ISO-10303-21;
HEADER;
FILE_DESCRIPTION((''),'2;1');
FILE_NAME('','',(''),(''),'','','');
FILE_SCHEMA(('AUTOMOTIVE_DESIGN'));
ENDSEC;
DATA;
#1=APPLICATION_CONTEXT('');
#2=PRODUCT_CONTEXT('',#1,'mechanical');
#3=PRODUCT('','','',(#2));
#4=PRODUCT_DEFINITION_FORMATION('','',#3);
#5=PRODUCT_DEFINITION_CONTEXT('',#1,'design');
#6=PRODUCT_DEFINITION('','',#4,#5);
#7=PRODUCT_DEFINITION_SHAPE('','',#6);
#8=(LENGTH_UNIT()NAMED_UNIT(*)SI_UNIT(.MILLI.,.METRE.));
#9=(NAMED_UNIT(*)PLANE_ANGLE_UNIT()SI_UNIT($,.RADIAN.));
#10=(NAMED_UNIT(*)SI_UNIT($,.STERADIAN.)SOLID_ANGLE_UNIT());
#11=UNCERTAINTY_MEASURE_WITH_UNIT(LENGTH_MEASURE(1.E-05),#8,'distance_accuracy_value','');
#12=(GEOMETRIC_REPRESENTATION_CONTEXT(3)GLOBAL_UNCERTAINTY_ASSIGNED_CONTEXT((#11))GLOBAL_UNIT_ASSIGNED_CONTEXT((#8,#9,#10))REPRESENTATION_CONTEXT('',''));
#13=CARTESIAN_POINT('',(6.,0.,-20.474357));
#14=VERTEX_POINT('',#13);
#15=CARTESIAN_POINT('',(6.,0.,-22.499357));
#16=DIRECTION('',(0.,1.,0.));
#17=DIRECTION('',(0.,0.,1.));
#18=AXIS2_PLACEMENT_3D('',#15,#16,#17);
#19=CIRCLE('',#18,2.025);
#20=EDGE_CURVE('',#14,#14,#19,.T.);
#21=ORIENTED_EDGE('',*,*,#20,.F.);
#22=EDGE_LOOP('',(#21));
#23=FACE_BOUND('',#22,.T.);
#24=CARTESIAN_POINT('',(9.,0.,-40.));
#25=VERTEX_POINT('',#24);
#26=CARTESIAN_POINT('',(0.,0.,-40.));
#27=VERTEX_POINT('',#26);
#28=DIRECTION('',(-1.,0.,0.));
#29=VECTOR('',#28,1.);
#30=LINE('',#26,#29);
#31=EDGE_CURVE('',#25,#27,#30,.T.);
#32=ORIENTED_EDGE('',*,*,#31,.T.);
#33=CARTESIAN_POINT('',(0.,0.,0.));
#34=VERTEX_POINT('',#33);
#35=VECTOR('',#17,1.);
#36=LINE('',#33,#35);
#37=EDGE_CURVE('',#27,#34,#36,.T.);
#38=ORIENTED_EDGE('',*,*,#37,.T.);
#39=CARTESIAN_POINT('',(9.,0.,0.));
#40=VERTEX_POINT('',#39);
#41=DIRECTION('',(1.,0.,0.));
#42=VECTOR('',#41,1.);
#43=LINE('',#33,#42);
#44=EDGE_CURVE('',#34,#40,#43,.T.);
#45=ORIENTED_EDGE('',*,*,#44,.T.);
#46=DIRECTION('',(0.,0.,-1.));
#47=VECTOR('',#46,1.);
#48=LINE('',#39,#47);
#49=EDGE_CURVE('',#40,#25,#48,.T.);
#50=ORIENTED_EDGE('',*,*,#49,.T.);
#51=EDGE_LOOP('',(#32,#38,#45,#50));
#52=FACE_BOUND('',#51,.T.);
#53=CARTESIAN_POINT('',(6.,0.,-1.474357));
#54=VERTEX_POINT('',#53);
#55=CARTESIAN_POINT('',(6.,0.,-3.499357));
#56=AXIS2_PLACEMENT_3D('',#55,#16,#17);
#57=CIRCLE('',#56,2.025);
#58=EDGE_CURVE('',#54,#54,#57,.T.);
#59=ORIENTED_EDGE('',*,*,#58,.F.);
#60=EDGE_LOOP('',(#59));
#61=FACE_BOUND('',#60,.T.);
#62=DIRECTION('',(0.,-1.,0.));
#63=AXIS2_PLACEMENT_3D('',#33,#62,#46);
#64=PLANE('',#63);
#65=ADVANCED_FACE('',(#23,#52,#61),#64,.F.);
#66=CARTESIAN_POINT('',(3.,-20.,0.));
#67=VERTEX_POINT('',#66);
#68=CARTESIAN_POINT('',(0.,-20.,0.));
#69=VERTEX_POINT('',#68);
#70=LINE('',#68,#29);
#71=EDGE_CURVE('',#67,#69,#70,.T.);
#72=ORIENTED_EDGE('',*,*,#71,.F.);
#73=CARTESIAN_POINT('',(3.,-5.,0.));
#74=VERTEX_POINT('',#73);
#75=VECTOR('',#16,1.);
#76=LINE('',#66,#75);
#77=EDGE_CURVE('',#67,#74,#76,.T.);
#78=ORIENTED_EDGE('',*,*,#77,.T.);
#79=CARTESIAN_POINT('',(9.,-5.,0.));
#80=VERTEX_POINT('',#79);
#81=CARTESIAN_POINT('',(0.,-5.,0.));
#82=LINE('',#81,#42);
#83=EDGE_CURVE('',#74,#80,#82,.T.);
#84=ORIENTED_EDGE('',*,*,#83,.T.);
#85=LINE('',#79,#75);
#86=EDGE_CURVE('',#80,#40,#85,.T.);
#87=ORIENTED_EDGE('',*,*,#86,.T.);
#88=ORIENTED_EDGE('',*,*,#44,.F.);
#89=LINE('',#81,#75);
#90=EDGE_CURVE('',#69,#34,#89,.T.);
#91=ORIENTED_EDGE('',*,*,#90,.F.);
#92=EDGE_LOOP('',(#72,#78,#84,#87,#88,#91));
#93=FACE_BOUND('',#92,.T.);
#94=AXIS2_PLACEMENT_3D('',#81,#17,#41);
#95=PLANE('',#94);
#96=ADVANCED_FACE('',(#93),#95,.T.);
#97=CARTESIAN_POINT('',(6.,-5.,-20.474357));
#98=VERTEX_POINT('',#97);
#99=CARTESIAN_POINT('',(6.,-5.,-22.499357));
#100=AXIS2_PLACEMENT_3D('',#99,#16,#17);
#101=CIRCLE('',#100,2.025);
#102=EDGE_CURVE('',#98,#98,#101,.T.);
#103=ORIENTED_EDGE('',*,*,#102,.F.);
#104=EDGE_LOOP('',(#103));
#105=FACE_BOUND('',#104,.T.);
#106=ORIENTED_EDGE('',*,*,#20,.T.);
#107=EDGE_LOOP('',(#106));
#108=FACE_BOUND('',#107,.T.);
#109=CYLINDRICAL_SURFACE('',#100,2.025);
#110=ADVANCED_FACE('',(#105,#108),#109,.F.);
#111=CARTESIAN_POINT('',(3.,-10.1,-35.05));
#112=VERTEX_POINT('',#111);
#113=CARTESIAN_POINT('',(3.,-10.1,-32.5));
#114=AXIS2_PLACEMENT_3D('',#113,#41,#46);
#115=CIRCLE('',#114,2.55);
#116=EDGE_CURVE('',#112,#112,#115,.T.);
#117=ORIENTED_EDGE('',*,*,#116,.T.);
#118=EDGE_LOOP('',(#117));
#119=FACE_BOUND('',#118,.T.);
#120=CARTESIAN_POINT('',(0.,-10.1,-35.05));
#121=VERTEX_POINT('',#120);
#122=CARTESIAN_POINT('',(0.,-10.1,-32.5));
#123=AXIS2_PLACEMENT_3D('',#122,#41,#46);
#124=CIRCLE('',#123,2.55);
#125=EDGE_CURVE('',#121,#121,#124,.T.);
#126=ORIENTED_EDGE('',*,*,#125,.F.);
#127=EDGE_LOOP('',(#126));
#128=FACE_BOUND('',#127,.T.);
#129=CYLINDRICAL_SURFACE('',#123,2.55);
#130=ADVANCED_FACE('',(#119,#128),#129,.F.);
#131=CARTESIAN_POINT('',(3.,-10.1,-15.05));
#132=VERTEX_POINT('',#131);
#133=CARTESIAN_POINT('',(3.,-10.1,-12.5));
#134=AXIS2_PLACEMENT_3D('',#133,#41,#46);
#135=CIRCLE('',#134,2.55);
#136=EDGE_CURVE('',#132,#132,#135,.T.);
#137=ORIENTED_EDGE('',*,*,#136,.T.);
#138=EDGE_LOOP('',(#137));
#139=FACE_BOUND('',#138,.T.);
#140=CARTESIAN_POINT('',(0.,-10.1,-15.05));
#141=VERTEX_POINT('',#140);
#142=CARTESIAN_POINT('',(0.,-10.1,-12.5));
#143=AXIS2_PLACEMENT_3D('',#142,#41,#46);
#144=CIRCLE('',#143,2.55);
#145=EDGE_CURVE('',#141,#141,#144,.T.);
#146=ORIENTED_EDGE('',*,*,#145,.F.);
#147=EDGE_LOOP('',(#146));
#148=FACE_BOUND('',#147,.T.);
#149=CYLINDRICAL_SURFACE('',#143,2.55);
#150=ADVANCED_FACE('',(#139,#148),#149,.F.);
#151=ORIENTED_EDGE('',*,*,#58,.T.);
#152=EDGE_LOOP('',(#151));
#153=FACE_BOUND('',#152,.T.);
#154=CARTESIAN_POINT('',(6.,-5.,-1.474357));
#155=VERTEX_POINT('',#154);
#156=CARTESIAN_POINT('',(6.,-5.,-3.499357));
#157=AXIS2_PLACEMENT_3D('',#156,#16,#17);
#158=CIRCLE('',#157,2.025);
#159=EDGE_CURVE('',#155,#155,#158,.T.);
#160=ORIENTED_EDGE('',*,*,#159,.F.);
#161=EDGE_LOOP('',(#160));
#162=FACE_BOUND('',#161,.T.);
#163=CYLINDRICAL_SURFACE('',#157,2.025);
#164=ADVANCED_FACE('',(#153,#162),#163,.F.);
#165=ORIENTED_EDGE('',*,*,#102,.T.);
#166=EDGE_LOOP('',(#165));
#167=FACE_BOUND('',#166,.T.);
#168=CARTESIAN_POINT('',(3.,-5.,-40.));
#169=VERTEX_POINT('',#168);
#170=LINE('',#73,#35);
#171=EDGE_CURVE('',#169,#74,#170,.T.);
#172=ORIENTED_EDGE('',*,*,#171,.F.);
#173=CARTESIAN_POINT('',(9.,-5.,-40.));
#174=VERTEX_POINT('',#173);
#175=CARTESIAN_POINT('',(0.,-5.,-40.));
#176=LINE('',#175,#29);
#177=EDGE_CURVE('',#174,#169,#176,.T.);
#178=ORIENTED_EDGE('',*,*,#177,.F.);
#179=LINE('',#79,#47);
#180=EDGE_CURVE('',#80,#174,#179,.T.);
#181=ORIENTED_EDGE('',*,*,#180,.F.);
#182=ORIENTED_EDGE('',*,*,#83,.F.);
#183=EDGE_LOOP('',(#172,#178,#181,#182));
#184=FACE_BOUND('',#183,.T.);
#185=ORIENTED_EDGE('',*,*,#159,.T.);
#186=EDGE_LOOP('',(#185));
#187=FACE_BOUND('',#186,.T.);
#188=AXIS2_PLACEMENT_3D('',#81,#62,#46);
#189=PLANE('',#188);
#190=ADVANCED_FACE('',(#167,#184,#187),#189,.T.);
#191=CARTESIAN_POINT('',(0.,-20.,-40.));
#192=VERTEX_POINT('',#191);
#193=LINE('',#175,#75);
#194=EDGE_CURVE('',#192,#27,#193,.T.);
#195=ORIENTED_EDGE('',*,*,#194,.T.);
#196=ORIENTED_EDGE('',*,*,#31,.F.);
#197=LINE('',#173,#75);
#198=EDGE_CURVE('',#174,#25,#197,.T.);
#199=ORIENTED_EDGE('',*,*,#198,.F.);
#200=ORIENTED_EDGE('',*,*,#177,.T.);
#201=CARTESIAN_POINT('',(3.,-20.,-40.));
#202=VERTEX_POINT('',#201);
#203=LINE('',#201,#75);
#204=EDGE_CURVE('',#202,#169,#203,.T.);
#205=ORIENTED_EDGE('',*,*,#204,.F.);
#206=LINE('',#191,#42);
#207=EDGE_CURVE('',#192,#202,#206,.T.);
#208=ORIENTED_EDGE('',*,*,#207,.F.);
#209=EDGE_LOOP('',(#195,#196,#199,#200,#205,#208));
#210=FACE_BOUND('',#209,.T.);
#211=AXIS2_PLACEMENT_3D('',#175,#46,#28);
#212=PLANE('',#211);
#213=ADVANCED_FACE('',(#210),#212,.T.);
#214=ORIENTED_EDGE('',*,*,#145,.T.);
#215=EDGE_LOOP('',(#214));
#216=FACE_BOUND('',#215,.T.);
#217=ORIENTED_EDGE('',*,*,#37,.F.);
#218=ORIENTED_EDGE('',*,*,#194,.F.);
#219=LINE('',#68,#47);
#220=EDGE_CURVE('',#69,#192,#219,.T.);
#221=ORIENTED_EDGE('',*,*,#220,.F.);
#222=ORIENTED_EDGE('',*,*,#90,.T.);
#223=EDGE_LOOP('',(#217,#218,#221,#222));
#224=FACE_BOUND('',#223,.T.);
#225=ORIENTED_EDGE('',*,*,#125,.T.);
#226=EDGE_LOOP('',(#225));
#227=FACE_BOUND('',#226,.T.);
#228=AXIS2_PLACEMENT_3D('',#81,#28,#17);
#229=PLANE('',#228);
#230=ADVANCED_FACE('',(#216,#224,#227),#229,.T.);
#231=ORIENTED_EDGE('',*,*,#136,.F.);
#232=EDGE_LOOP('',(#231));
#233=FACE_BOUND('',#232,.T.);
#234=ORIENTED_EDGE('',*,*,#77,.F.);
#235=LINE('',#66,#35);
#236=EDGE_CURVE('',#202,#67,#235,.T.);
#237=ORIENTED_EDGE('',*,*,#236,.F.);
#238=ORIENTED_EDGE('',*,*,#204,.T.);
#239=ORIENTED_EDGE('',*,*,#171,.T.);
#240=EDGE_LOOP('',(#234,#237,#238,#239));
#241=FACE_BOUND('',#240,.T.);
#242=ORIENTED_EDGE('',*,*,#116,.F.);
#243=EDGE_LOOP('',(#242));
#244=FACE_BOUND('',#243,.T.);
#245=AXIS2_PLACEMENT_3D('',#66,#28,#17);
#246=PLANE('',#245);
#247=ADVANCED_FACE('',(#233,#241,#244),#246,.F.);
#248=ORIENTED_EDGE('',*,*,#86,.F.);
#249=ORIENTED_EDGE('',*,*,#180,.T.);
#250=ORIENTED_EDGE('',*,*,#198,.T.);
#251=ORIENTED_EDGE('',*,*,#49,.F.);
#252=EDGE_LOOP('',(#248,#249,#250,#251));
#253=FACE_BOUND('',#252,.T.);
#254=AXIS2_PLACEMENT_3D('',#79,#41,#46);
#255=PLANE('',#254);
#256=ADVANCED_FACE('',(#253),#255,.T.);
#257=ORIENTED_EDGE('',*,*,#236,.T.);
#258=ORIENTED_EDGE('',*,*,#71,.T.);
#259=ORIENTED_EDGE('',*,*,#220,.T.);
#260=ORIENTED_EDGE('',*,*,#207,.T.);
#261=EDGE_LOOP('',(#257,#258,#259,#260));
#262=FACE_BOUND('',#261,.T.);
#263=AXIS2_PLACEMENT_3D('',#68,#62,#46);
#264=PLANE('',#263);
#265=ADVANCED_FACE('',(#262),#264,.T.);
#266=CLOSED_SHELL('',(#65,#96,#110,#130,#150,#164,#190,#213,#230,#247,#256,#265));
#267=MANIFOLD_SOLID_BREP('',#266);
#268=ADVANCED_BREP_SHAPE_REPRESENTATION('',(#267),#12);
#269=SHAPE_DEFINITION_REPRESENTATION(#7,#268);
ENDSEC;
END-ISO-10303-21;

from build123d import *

# Parameters (mm, degrees)
SKETCH1_W           = 9
SKETCH1_H           = 40
SKETCH1_R           = 2.025
BOSS_EXTRUDE1_DEPTH = 5
SKETCH2_W           = 3
SKETCH2_H           = 40
BOSS_EXTRUDE2_DEPTH = 15
SKETCH3_R           = 2.55
CUT_EXTRUDE1_DEPTH  = 46.122056691


with BuildPart() as part:
    # Sketch1 → Boss-Extrude1 (new body)
    with BuildSketch(Plane(origin=(0, 0, 0), x_dir=(1, 0, 0), z_dir=(0, 1, 0))):
        with Locations((4.5, 20)):
            Rectangle(SKETCH1_W, SKETCH1_H)
        with Locations(Location((6, 3.499356869, 0), (0, 0, 270))):
            Circle(SKETCH1_R, mode=Mode.SUBTRACT)
        with Locations(Location((6, 22.499356869, 0), (0, 0, 270))):
            Circle(SKETCH1_R, mode=Mode.SUBTRACT)
    extrude(amount=-BOSS_EXTRUDE1_DEPTH)

    # Sketch2 → Boss-Extrude2 (add)
    with BuildSketch(Plane.XZ.offset(5)):
        with Locations((1.5, -20)):
            Rectangle(SKETCH2_W, SKETCH2_H)
    extrude(amount=BOSS_EXTRUDE2_DEPTH)

    # Sketch3 → Cut-Extrude1 (cut, through all)
    with BuildSketch(Plane(origin=(3, 0, 0), x_dir=(0, 0, -1), z_dir=(1, 0, 0))):
        with Locations((12.5, -10.1)):
            Circle(SKETCH3_R)
        with Locations((32.5, -10.1)):
            Circle(SKETCH3_R)
    extrude(amount=-CUT_EXTRUDE1_DEPTH, mode=Mode.SUBTRACT)


solid = part.part
